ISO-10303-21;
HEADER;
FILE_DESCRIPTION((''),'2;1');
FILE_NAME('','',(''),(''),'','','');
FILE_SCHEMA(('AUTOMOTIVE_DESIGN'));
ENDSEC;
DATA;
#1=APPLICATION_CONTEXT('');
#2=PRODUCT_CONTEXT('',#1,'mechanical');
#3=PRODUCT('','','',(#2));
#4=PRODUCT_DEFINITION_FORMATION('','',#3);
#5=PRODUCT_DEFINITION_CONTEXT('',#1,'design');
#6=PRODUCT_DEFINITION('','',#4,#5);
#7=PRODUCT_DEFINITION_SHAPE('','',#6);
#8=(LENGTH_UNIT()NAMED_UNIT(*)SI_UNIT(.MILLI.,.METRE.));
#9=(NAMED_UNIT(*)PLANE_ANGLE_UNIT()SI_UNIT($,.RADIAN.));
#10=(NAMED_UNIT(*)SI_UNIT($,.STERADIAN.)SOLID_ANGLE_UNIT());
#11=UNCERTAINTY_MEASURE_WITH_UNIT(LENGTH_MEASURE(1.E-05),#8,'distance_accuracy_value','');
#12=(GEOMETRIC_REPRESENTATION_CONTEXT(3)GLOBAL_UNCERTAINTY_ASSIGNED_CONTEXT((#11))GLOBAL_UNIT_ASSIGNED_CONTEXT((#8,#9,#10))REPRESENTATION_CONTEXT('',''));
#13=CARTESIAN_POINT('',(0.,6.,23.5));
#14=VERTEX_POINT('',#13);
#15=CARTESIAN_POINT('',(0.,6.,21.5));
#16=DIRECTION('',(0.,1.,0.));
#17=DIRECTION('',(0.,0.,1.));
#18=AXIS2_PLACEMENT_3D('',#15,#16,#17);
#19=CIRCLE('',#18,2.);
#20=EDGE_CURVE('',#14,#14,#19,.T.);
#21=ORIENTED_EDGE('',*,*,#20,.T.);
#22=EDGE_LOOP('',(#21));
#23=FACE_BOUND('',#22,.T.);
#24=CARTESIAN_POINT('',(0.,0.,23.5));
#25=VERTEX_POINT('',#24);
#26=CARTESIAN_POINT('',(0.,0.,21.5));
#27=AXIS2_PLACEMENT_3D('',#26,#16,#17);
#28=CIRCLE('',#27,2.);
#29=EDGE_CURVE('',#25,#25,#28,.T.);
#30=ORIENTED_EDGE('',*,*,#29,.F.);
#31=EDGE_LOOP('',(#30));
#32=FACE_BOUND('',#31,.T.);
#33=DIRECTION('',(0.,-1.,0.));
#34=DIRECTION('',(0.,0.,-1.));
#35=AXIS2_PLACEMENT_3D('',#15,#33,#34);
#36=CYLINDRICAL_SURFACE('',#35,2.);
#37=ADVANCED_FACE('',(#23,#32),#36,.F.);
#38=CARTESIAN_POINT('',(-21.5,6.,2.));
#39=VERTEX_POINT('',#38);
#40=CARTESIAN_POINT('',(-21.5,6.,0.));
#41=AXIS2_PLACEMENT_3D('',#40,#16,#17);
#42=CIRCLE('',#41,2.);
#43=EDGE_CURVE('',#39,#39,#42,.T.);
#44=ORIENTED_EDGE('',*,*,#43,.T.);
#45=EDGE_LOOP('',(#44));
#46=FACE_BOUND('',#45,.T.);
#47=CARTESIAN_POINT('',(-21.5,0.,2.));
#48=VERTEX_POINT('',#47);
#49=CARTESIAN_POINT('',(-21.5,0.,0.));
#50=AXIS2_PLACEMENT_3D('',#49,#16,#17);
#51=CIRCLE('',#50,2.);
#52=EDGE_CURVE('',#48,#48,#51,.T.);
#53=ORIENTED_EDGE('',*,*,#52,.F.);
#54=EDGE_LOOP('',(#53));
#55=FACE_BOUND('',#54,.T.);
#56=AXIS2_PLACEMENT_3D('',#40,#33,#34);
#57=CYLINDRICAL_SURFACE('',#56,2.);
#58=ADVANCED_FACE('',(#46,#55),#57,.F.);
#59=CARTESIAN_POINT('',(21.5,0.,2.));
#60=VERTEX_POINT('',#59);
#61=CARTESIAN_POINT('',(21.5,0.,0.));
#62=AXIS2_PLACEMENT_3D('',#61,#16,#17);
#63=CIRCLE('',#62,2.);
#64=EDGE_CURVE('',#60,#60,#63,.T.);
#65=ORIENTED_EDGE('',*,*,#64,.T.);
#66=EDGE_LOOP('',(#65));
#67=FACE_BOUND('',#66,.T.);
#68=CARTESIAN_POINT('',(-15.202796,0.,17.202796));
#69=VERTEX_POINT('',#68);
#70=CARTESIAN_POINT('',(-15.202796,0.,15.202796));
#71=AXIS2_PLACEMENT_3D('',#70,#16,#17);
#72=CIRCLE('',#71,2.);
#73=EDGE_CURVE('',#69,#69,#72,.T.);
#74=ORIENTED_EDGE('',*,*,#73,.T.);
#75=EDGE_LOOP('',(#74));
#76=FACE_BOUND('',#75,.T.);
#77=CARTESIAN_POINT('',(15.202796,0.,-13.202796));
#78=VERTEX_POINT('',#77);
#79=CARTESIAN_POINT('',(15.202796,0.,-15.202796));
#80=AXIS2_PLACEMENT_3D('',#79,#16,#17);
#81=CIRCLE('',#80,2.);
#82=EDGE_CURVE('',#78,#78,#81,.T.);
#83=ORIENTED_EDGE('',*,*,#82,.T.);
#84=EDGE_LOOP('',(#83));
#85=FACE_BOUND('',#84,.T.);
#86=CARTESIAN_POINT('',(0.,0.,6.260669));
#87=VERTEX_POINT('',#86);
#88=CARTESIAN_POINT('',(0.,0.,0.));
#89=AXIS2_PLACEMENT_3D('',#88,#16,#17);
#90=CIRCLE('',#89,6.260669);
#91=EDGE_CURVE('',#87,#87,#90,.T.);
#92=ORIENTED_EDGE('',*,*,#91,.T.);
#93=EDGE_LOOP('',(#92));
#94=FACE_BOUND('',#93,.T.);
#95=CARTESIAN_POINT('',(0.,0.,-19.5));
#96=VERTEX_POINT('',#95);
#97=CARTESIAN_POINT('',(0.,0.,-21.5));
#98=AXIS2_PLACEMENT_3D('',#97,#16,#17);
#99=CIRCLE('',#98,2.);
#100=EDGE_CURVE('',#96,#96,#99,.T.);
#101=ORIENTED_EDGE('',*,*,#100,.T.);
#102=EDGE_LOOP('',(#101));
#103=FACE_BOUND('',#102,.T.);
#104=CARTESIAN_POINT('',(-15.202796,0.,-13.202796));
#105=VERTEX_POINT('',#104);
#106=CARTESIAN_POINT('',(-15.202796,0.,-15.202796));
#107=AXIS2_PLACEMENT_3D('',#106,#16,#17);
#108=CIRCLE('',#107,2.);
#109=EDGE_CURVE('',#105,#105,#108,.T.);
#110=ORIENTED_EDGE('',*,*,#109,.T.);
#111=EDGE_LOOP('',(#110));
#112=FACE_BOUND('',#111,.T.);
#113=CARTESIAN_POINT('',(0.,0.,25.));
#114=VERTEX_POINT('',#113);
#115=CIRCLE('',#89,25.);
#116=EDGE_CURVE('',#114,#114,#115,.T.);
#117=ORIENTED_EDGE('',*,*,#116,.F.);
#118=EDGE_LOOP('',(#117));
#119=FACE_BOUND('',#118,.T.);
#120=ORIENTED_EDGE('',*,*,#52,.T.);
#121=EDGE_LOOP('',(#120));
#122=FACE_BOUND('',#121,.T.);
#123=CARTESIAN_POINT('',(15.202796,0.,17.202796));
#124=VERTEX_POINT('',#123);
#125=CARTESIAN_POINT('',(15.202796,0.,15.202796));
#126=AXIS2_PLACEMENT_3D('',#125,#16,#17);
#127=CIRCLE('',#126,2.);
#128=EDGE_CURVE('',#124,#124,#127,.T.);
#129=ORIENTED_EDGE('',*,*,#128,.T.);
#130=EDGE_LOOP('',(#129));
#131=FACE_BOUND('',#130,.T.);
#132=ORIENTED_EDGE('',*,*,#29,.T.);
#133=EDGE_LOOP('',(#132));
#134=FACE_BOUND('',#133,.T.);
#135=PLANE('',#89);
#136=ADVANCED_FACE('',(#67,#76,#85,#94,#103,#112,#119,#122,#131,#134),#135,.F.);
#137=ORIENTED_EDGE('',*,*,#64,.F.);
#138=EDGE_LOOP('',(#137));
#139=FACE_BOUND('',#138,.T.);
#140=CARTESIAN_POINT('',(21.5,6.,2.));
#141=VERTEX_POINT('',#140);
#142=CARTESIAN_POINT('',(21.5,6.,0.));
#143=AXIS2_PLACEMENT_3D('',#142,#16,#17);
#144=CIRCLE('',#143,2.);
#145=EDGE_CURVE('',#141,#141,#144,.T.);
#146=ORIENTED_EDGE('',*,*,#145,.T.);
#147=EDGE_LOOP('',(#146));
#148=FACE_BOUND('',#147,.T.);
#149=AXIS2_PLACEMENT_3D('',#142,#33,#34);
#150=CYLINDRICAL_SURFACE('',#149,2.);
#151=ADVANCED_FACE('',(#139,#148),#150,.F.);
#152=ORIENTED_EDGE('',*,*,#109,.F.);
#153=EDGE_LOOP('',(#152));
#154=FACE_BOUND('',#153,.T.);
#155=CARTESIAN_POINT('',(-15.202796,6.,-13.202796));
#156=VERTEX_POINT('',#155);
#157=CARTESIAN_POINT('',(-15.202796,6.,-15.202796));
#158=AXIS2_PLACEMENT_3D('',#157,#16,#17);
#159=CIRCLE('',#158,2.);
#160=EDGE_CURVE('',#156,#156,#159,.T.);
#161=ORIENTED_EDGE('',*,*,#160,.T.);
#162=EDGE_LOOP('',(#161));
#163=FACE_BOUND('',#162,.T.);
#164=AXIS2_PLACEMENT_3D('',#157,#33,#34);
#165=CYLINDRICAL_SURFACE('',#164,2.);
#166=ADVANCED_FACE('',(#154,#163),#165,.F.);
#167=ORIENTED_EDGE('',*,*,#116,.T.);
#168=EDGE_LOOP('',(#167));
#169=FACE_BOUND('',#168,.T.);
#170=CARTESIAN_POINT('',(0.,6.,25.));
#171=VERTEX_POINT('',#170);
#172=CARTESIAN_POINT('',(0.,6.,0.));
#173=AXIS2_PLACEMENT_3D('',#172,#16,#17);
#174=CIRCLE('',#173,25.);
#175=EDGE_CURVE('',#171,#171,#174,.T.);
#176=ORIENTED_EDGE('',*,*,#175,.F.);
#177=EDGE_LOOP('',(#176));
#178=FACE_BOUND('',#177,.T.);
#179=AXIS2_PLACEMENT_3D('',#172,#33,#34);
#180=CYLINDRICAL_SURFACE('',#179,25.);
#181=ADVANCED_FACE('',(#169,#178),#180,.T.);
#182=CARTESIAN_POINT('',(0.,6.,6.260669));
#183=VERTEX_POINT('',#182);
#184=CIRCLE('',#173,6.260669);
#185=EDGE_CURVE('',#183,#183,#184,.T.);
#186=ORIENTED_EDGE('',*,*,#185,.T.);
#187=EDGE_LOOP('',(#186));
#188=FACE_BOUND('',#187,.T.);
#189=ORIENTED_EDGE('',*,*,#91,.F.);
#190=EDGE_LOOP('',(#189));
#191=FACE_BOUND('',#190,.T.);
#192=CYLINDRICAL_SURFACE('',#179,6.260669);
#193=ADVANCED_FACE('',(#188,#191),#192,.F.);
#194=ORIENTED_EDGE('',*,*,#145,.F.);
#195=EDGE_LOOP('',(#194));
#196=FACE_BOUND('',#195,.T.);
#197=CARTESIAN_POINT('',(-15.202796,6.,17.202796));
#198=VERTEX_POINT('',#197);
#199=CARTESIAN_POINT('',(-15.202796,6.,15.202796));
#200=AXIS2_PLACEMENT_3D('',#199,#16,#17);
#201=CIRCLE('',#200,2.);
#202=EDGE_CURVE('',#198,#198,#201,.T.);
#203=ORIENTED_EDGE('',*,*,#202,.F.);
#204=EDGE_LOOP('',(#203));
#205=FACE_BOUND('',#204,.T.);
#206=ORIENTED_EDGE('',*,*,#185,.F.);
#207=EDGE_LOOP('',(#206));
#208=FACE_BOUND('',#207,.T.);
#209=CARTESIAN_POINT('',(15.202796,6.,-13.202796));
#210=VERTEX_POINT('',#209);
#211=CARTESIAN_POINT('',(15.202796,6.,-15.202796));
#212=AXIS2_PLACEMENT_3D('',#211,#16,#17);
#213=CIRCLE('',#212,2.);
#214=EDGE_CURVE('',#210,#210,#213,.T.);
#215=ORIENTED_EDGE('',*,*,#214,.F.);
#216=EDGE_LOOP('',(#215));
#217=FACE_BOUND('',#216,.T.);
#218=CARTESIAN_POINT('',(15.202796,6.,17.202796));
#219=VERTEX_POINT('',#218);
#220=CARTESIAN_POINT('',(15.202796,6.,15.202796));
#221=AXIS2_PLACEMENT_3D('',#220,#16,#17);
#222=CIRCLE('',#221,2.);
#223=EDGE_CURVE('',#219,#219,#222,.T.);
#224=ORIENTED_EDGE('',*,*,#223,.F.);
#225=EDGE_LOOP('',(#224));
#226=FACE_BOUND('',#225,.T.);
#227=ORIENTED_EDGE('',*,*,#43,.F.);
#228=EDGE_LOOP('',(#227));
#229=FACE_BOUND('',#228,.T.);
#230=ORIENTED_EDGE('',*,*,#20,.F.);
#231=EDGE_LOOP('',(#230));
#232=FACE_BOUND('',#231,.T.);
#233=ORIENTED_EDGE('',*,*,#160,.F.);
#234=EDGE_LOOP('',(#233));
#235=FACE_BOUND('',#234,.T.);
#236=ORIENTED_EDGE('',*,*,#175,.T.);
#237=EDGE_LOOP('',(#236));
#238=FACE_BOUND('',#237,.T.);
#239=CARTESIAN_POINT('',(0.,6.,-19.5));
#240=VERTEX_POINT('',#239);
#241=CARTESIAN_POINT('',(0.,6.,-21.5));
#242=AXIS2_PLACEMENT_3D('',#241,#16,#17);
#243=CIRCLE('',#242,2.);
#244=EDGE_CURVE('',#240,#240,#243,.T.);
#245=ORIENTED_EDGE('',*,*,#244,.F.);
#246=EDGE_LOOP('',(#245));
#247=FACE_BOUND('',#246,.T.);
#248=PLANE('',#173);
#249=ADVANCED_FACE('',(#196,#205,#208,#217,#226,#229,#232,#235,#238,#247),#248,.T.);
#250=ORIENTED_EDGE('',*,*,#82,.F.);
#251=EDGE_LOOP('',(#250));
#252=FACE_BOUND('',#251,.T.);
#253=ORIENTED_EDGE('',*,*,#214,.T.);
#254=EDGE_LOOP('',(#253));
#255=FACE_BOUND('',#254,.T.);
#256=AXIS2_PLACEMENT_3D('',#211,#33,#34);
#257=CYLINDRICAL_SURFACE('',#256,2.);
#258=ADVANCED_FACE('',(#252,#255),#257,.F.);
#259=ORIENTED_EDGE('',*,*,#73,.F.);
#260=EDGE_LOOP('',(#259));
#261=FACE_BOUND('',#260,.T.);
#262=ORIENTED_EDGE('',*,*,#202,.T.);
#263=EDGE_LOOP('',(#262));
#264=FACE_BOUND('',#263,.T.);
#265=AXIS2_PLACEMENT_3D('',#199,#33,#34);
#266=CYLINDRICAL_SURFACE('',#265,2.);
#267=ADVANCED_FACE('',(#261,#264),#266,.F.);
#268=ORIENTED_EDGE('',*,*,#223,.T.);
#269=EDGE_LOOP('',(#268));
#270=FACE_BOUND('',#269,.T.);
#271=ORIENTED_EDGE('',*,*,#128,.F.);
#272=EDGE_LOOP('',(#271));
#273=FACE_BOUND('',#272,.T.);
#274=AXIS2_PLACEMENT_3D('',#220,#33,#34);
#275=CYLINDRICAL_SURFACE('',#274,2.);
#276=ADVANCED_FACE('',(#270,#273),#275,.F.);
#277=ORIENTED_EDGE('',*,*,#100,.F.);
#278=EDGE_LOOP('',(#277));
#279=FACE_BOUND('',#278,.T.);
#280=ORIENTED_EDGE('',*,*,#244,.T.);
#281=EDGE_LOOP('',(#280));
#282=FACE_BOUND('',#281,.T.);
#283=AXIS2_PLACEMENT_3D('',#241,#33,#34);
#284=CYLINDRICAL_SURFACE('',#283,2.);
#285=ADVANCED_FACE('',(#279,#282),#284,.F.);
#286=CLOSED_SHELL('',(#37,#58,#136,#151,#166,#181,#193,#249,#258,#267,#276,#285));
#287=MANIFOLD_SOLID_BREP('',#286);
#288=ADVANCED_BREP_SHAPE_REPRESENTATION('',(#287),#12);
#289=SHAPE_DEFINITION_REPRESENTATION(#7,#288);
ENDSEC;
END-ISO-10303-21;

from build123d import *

# Parameters (mm, degrees)
SKETCH_1_R      = 25
SKETCH_1_R_2    = 2
SKETCH_1_R_3    = 6.260668566
EXTRUDE_1_DEPTH = 6


with BuildPart() as part:
    # 草图1 → 凸台-拉伸1 (new body)
    with BuildSketch(Plane(origin=(0, 0, 0), x_dir=(1, 0, 0), z_dir=(0, 1, 0))):
        Circle(SKETCH_1_R)
        with Locations((0, 21.5)):
            Circle(SKETCH_1_R_2, mode=Mode.SUBTRACT)
        with Locations((15.202795796, 15.202795796)):
            Circle(SKETCH_1_R_2, mode=Mode.SUBTRACT)
        with Locations((21.5, 0)):
            Circle(SKETCH_1_R_2, mode=Mode.SUBTRACT)
        with Locations((15.202795796, -15.202795796)):
            Circle(SKETCH_1_R_2, mode=Mode.SUBTRACT)
        with Locations((0, -21.5)):
            Circle(SKETCH_1_R_2, mode=Mode.SUBTRACT)
        with Locations((-15.202795796, -15.202795796)):
            Circle(SKETCH_1_R_2, mode=Mode.SUBTRACT)
        with Locations((-21.5, 0)):
            Circle(SKETCH_1_R_2, mode=Mode.SUBTRACT)
        with Locations((-15.202795796, 15.202795796)):
            Circle(SKETCH_1_R_2, mode=Mode.SUBTRACT)
        Circle(SKETCH_1_R_3, mode=Mode.SUBTRACT)
    extrude(amount=EXTRUDE_1_DEPTH)


solid = part.part
